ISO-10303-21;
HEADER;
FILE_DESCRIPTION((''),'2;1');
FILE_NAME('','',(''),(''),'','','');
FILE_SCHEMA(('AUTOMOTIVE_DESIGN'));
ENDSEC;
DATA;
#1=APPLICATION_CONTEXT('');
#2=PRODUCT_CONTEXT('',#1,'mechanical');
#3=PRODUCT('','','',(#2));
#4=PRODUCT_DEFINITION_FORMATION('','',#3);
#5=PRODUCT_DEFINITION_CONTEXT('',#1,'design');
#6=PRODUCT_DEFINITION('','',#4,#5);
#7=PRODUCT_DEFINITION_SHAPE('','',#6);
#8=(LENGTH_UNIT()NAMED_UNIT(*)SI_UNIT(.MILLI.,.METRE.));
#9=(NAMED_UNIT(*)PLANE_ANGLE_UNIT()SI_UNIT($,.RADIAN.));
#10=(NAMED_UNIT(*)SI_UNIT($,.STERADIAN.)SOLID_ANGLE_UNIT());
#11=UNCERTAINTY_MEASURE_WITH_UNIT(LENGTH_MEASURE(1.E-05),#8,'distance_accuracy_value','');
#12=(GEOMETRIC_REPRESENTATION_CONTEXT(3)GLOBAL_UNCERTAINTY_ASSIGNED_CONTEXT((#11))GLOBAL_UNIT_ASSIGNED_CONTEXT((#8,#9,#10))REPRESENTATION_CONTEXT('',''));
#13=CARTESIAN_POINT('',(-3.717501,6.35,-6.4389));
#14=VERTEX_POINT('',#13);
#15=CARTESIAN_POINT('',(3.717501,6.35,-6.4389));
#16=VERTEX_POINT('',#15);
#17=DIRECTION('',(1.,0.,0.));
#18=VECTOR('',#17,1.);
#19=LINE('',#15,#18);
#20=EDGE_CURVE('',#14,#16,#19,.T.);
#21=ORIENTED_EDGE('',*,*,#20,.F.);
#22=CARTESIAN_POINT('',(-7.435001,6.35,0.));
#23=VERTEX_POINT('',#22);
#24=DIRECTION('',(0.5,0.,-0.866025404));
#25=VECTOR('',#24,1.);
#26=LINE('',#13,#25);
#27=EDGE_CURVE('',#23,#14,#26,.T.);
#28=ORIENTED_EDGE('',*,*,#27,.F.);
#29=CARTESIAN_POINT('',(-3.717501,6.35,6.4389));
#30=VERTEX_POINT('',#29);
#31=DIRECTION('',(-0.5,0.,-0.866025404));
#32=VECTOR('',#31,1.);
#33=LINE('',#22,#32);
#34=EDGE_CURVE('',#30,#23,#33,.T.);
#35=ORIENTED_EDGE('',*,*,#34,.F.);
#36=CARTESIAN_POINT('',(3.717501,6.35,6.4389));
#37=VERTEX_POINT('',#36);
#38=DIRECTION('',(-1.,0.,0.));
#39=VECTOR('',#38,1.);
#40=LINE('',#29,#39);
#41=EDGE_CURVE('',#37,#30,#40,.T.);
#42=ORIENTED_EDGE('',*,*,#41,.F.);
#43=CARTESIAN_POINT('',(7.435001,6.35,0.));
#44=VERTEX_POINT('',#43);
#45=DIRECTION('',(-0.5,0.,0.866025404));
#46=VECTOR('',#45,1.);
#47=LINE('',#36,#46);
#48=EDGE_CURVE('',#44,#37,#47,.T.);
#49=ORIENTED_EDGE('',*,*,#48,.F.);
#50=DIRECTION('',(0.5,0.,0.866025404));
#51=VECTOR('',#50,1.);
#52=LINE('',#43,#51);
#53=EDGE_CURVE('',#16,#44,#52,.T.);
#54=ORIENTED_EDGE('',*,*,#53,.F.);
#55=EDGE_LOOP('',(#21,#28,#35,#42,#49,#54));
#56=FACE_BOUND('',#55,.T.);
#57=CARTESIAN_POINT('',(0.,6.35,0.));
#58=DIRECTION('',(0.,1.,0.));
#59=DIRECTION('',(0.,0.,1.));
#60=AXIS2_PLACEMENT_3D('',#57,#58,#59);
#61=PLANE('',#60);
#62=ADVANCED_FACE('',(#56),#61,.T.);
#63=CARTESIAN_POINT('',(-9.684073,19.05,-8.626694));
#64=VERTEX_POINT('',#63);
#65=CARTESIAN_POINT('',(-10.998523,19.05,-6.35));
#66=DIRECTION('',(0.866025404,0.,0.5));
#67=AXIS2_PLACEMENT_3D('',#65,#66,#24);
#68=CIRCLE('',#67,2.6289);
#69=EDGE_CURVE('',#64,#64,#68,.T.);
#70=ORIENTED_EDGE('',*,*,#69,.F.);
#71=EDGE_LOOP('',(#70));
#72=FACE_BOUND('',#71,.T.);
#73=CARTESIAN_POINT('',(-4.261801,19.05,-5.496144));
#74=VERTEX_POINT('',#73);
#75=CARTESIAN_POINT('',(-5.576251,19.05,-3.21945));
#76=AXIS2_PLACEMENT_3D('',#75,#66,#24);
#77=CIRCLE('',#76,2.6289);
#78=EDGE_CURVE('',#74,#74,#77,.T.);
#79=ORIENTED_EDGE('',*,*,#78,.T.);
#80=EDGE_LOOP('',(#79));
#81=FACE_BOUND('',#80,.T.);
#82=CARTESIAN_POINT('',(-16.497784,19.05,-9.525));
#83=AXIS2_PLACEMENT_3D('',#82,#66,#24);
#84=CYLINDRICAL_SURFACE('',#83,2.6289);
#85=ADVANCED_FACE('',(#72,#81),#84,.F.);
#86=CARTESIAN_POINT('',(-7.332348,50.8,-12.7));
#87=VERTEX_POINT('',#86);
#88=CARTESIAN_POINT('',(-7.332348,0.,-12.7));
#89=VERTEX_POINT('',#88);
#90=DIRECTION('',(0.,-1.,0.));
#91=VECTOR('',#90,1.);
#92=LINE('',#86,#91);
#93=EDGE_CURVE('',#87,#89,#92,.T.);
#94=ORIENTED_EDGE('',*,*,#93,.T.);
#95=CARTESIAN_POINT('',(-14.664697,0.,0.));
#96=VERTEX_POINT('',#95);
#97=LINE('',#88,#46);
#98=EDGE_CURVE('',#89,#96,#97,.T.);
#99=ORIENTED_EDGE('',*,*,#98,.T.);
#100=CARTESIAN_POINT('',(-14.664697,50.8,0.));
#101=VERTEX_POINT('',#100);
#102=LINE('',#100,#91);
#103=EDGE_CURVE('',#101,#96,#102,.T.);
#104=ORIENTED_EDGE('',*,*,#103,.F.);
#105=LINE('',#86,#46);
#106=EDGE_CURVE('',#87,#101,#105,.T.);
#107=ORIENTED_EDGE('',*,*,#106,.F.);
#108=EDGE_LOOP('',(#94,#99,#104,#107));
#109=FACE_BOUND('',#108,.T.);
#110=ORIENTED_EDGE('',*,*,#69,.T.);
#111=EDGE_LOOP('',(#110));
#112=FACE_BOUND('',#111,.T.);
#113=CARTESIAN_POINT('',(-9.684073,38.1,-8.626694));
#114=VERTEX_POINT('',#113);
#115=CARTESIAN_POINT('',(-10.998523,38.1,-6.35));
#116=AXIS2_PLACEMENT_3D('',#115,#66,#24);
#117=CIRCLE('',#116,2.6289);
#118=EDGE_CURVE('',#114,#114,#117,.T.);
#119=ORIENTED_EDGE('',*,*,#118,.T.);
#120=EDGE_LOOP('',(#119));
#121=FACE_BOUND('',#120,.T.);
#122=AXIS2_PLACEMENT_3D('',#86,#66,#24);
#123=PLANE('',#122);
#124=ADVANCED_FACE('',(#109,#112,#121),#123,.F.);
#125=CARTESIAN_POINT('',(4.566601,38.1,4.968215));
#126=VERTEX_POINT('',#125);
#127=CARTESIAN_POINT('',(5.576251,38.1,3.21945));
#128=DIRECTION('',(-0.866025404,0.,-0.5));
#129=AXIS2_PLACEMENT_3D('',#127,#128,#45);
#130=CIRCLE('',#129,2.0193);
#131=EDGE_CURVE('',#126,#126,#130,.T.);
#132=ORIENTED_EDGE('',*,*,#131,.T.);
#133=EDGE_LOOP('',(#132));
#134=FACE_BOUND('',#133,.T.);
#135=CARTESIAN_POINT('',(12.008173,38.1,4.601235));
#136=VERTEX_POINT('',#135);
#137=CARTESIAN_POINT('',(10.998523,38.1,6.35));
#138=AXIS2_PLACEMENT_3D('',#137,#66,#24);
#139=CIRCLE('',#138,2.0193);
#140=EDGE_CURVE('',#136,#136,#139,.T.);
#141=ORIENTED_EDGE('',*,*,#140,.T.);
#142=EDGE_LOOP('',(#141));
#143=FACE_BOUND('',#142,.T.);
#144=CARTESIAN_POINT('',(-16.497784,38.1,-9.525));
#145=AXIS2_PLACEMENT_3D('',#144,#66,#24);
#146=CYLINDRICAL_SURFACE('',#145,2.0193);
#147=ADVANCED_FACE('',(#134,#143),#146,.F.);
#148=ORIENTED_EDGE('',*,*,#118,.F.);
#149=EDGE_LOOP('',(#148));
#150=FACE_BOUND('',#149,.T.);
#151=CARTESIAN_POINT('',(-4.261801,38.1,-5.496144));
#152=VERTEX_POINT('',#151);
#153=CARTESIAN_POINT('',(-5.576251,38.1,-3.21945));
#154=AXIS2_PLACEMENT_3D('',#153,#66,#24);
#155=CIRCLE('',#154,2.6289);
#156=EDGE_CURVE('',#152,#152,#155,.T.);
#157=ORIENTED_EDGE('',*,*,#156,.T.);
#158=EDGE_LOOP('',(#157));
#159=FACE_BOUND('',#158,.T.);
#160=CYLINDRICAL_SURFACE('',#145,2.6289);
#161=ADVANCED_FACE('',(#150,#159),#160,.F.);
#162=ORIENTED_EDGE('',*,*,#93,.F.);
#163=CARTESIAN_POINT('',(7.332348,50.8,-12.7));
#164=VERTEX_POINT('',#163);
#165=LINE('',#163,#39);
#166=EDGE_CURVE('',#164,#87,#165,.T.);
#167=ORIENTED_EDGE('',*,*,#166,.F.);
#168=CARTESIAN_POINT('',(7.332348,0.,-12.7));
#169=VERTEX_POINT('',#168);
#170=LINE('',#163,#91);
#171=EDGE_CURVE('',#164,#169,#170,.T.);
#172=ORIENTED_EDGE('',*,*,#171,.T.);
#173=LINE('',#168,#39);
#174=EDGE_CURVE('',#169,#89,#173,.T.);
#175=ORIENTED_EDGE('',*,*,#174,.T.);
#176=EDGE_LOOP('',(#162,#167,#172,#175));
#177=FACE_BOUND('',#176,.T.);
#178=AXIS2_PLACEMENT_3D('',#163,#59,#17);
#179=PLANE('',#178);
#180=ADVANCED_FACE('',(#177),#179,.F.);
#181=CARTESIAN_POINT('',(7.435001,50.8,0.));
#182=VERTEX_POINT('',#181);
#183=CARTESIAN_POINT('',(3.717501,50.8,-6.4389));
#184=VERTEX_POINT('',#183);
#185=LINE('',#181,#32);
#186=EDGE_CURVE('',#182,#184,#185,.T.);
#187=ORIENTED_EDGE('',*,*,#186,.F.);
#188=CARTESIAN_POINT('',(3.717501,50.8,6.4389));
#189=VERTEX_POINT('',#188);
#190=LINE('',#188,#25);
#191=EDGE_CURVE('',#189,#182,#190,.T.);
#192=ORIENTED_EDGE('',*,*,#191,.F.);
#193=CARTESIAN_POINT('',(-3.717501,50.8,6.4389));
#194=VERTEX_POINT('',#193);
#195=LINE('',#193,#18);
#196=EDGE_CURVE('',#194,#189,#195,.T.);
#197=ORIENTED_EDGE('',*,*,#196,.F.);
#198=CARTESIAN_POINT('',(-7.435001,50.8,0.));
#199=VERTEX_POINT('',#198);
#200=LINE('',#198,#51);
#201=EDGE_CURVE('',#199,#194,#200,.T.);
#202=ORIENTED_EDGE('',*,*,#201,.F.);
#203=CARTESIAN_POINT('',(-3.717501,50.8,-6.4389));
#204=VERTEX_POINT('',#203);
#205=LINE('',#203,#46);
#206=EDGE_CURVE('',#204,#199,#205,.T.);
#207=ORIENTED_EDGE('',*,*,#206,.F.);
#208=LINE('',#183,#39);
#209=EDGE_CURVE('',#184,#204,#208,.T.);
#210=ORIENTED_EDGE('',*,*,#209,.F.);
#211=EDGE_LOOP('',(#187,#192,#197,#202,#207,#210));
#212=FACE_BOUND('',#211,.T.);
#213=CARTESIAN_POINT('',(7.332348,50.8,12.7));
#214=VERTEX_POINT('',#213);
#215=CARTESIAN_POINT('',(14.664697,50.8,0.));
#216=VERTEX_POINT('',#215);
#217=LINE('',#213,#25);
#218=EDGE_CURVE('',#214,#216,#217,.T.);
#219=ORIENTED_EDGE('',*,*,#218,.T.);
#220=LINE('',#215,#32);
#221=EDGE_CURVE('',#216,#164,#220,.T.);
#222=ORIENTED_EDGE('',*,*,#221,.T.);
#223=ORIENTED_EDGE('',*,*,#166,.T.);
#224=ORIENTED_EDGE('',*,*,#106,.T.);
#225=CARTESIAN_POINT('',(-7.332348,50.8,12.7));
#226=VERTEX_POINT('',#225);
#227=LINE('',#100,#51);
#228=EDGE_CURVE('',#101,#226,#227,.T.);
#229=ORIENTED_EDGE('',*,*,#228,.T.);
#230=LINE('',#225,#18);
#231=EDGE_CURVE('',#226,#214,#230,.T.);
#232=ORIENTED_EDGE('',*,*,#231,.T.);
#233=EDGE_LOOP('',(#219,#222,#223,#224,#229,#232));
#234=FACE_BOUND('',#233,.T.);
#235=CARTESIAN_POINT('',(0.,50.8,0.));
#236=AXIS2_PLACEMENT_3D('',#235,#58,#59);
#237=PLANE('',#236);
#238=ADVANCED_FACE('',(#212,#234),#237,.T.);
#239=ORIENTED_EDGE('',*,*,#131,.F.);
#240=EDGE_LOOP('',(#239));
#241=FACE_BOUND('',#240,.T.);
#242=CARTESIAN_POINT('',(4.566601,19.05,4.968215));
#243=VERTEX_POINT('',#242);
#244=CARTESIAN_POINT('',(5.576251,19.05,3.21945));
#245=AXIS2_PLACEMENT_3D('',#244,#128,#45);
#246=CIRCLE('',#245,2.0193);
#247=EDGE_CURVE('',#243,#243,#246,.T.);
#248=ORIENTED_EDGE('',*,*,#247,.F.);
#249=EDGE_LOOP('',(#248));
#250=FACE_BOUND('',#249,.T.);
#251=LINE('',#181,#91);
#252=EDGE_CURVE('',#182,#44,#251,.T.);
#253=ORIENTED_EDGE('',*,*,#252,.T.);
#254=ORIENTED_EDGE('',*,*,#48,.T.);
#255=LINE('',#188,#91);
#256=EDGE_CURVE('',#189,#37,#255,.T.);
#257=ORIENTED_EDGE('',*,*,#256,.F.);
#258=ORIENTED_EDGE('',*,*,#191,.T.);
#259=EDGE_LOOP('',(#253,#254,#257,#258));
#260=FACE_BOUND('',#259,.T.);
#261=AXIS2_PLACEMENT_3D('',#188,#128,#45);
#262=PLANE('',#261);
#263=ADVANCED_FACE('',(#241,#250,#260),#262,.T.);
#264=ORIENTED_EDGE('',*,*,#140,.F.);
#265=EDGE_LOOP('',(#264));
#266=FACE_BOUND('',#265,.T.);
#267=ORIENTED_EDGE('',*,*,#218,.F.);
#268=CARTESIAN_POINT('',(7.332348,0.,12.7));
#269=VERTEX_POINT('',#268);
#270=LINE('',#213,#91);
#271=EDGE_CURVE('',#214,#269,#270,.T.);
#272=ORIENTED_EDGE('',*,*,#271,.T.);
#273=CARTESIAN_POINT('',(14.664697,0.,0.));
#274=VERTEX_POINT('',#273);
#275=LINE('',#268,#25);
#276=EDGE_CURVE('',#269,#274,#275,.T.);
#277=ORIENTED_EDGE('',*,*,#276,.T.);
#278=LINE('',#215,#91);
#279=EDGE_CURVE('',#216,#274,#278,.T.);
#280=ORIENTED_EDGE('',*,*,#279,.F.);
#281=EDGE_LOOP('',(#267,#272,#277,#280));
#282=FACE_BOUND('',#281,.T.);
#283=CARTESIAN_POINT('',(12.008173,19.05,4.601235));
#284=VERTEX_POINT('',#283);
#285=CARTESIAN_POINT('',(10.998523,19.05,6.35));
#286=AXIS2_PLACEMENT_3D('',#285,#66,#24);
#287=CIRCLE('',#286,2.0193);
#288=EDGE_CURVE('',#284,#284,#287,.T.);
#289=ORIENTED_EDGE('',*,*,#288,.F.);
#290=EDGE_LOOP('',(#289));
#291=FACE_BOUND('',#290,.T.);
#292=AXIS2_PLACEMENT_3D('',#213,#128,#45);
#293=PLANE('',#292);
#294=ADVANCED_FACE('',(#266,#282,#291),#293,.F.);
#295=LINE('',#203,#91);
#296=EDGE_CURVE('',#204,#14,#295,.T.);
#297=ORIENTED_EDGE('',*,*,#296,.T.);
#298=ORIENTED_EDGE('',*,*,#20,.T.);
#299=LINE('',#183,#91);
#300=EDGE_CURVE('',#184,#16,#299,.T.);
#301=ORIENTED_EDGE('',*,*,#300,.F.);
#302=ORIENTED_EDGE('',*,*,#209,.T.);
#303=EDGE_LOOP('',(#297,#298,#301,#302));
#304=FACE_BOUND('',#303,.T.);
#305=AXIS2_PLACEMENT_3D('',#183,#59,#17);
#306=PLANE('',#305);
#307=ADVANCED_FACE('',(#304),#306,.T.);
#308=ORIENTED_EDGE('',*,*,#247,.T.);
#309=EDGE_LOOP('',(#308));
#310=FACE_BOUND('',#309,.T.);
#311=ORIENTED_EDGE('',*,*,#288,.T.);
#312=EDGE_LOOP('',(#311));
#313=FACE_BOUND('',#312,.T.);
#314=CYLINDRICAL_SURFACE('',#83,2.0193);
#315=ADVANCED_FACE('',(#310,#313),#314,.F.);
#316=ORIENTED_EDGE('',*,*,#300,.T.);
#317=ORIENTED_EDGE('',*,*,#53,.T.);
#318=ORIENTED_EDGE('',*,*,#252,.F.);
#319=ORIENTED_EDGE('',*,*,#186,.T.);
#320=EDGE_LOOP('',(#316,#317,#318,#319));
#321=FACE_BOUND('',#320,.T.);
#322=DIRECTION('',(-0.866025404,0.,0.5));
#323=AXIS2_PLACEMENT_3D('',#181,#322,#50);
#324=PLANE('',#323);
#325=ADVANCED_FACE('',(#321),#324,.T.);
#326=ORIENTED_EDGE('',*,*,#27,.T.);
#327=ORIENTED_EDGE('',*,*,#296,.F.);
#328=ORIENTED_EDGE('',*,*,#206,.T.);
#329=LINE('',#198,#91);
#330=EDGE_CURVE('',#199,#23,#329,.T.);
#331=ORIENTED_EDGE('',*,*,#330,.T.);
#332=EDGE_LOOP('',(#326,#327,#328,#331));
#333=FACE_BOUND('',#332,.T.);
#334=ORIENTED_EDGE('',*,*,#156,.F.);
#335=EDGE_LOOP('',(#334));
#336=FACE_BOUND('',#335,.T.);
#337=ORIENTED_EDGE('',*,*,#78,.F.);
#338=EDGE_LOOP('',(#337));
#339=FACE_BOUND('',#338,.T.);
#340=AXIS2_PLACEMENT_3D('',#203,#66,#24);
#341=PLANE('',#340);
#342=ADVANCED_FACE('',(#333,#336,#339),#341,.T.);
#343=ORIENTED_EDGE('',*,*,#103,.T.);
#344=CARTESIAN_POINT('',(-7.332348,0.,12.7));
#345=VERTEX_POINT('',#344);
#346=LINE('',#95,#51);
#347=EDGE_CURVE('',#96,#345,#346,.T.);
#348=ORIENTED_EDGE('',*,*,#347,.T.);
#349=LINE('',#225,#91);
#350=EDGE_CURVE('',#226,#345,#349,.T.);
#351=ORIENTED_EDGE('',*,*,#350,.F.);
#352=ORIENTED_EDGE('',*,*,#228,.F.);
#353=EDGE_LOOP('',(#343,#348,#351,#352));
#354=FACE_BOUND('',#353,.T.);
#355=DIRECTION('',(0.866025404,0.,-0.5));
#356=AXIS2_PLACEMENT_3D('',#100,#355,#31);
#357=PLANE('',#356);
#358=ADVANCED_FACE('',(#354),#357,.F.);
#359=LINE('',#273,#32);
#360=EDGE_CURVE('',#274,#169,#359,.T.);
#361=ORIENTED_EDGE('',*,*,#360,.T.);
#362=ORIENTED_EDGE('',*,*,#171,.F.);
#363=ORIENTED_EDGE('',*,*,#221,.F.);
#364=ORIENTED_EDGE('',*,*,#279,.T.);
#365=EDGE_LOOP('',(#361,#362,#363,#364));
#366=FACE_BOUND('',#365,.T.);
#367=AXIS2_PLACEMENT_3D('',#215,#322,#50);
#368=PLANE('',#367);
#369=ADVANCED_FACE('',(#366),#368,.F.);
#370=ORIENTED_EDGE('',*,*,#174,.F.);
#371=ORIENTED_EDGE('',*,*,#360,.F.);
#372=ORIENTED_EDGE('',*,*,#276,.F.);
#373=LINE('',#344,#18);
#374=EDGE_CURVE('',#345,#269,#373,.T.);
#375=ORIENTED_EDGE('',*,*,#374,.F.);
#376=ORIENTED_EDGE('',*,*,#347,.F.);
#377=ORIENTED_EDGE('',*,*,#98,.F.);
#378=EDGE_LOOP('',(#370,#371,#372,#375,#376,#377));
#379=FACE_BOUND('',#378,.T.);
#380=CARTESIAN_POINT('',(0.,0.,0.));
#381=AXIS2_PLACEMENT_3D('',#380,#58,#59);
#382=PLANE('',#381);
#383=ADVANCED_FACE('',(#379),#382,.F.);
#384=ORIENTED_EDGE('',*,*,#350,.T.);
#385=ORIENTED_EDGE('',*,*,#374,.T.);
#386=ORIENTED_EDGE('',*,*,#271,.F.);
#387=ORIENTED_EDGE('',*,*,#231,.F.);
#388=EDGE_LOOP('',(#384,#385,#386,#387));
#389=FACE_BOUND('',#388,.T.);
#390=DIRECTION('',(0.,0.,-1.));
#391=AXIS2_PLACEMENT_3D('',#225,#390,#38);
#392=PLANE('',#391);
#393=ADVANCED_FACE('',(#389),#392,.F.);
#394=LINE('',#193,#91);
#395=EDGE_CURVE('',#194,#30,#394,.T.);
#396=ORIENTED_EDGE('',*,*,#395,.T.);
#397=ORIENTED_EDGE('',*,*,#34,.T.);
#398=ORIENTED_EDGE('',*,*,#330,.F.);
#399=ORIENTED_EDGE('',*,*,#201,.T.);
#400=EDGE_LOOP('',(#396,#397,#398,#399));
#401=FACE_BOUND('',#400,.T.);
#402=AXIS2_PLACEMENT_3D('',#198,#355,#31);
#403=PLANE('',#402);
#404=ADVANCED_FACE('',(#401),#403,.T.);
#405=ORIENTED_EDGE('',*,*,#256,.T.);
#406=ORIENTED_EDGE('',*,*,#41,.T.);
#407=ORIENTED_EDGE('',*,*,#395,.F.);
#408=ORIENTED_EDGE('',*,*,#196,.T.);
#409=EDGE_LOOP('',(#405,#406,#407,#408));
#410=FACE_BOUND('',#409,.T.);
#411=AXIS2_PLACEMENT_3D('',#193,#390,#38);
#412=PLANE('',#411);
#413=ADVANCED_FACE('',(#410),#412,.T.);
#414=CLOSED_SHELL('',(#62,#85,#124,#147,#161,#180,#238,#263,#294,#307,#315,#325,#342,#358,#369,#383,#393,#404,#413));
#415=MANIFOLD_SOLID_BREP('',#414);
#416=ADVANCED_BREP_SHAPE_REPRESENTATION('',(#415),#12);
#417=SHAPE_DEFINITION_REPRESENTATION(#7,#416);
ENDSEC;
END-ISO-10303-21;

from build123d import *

# Parameters (mm, degrees)
BOSS_EXTRUDE1_DEPTH = 50.8
BOSS_EXTRUDE2_DEPTH = 6.35
SKETCH3_R           = 2.0193
CUT_EXTRUDE1_DEPTH  = 61.017858453
SKETCH4_R           = 2.6289
CUT_EXTRUDE2_DEPTH  = 57.954059175


with BuildPart() as part:
    # Sketch1 → Boss-Extrude1 (new body)
    with BuildSketch(Plane(origin=(0, 0, 0), x_dir=(1, 0, 0), z_dir=(0, 1, 0))):
        Polygon((7.332348419, 12.7), (-7.332348419, 12.7), (-14.664696837, 0), (-7.332348419, -12.7), (7.332348419, -12.7), (14.664696837, 0), align=None)
        Polygon((3.717500648, 6.4389), (-3.717500648, 6.4389), (-7.435001297, 0), (-3.717500648, -6.4389), (3.717500648, -6.4389), (7.435001297, 0), align=None, mode=Mode.SUBTRACT)
    extrude(amount=BOSS_EXTRUDE1_DEPTH)

    # Sketch2 → Boss-Extrude2 (add)
    with BuildSketch(Plane.XZ):
        Polygon((3.717500648, -6.4389), (-3.717500648, -6.4389), (-7.435001297, 0), (-3.717500648, 6.4389), (3.717500648, 6.4389), (7.435001297, 0), align=None)
    extrude(amount=-BOSS_EXTRUDE2_DEPTH)

    # Sketch3 → Cut-Extrude1 (cut, through all)
    with BuildSketch(Plane(origin=(10.998522628, 0, 6.35), x_dir=(0.5000000000000001, 0, -0.8660254037844386), z_dir=(0.8660254037844386, 0, 0.5000000000000001))):
        with Locations((0, 19.05)):
            Circle(SKETCH3_R)
        with Locations((0, 38.1)):
            Circle(SKETCH3_R)
    extrude(amount=-CUT_EXTRUDE1_DEPTH, mode=Mode.SUBTRACT)

    # Sketch4 → Cut-Extrude2 (cut, through all)
    with BuildSketch(Plane(origin=(-5.576250972, 0, -3.21945), x_dir=(0.49999999999999967, 0, -0.8660254037844388), z_dir=(0.8660254037844388, 0, 0.49999999999999967))):
        with Locations((0, 38.1)):
            Circle(SKETCH4_R)
        with Locations((0, 19.05)):
            Circle(SKETCH4_R)
    extrude(amount=-CUT_EXTRUDE2_DEPTH, mode=Mode.SUBTRACT)


solid = part.part
